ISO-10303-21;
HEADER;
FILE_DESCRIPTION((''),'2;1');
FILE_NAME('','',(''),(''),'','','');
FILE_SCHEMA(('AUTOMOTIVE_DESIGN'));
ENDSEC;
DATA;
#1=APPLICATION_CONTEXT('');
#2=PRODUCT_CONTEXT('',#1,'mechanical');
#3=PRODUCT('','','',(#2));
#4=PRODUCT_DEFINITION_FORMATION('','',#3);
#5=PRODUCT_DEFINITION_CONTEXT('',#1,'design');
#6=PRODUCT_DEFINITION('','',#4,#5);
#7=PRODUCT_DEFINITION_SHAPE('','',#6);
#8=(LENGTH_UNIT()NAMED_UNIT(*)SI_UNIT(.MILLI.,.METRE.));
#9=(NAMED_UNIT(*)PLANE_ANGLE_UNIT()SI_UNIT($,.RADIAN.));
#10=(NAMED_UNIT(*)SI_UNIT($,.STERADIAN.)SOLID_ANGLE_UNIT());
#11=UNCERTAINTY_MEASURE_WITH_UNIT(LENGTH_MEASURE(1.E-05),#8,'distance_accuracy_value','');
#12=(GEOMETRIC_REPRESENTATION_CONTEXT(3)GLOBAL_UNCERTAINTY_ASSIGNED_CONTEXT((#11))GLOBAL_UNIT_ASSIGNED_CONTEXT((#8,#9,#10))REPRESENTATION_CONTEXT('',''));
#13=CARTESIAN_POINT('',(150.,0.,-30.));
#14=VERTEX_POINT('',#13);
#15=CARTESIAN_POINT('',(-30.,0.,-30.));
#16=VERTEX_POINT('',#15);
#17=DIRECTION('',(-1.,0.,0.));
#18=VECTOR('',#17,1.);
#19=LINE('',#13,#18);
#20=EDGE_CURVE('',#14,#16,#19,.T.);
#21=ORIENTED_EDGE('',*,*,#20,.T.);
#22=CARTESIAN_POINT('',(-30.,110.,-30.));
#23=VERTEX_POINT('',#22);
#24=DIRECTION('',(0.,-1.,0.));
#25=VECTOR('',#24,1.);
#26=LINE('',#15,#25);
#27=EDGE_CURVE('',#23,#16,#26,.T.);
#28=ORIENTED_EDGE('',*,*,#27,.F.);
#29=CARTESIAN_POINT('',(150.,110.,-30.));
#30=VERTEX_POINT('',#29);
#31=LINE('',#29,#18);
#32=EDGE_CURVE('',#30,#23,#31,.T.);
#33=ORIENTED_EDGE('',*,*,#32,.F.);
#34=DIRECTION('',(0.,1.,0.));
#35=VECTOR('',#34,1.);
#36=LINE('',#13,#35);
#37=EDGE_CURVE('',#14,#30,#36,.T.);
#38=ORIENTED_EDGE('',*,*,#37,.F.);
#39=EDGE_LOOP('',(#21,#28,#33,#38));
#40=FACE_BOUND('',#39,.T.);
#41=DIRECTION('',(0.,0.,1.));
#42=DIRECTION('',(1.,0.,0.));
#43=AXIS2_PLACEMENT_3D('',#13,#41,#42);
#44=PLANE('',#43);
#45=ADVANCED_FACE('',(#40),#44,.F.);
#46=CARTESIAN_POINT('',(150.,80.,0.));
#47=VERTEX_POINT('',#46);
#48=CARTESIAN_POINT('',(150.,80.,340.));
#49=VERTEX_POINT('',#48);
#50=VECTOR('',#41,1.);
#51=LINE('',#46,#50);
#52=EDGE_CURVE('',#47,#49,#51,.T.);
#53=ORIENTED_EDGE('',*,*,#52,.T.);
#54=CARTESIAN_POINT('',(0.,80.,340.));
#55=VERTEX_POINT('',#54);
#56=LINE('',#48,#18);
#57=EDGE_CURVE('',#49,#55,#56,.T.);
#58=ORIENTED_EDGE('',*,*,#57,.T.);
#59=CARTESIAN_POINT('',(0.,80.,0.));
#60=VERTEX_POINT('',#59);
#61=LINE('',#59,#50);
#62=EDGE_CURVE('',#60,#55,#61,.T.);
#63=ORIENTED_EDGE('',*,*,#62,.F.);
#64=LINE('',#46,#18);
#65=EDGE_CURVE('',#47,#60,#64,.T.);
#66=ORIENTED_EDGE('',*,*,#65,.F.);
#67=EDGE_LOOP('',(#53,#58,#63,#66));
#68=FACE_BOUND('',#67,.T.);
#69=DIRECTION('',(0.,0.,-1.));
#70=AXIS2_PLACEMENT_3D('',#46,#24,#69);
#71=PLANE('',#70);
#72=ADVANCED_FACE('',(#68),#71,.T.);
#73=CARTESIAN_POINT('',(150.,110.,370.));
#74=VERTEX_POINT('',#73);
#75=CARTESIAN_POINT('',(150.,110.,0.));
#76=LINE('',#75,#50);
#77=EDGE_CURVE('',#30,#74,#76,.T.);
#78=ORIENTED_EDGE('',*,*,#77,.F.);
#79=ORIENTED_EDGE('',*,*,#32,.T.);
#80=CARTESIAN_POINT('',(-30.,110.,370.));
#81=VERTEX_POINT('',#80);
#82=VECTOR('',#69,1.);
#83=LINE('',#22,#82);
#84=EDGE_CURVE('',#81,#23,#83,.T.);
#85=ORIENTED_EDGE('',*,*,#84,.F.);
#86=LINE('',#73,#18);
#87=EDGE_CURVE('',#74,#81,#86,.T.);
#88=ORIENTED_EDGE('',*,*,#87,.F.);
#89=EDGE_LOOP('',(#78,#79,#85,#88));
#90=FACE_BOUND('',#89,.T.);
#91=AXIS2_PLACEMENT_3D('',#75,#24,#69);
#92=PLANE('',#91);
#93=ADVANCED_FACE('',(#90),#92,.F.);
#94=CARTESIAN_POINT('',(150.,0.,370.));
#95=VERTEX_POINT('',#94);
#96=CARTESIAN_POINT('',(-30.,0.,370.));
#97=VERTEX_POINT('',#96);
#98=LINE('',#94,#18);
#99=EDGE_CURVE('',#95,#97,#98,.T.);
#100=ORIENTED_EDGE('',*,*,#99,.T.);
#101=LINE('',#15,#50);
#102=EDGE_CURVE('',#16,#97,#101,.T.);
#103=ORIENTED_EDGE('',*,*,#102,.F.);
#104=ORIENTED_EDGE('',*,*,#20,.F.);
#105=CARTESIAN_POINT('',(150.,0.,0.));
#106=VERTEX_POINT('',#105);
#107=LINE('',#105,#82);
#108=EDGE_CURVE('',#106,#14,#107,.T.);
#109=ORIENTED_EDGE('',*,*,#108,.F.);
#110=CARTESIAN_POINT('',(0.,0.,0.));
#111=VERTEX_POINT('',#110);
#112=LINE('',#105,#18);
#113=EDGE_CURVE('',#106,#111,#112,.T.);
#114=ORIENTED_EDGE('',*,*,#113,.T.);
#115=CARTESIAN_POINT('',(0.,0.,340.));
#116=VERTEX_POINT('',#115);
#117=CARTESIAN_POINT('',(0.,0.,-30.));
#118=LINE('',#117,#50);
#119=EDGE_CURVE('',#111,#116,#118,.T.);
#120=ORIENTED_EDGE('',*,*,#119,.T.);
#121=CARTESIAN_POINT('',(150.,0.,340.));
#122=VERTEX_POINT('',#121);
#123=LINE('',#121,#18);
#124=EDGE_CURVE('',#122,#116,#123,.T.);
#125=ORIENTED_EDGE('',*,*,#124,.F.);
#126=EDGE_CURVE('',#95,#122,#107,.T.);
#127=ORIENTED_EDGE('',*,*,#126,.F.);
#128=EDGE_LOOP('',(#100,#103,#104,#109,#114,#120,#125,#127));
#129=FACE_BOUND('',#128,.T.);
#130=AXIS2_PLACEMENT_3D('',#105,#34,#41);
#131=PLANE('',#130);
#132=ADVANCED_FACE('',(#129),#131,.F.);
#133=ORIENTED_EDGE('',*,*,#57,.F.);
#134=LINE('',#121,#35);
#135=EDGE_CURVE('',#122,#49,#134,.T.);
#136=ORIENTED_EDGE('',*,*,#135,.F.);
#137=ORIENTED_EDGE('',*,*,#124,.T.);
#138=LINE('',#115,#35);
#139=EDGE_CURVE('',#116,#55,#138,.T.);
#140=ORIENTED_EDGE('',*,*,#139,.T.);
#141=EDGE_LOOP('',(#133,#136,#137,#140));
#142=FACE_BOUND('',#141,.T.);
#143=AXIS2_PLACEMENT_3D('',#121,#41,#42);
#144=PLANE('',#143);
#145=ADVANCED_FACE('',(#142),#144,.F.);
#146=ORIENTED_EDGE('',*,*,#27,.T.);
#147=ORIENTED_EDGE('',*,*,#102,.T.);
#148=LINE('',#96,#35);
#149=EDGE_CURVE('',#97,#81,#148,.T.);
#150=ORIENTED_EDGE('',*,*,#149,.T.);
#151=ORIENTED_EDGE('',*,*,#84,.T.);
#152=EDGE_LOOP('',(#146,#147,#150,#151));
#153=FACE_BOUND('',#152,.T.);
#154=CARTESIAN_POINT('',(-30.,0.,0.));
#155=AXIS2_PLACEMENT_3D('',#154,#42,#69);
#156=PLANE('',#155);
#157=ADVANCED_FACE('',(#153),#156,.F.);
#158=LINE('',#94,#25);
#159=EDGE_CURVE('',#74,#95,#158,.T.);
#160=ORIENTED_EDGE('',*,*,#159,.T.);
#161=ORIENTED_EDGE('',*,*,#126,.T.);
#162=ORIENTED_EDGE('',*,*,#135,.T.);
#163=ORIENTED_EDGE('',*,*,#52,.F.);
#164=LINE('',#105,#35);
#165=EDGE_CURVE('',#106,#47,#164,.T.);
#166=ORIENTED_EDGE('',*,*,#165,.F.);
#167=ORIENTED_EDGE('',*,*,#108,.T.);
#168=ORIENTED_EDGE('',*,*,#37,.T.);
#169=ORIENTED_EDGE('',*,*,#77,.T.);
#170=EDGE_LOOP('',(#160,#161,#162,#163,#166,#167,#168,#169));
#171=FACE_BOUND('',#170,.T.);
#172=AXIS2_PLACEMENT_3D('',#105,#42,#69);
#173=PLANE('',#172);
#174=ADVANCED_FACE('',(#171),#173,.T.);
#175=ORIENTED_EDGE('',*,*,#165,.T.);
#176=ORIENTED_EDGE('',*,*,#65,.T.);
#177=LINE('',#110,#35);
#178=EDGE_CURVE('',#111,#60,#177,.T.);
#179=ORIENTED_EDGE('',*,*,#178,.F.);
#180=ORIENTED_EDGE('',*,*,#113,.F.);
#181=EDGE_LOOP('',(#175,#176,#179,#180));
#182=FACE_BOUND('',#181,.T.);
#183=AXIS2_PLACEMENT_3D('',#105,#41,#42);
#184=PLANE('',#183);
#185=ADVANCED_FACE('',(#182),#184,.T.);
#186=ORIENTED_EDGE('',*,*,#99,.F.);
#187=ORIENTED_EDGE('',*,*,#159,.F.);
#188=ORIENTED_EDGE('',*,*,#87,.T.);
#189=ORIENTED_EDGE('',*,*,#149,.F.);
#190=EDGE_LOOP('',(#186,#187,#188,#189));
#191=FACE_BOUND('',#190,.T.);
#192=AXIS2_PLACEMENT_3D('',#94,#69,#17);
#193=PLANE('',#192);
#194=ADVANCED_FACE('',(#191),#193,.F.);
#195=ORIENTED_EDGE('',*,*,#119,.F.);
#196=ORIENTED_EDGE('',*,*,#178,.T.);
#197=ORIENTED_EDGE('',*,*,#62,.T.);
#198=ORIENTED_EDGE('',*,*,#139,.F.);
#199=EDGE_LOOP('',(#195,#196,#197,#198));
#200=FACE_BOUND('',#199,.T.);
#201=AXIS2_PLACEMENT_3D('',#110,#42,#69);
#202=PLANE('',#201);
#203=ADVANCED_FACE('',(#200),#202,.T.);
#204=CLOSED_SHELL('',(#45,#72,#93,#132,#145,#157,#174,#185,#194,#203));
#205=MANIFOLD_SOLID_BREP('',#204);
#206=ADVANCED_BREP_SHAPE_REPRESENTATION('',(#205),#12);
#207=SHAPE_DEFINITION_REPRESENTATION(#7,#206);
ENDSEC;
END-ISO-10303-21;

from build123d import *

# Parameters (mm, degrees)
BOSS_EXTRU_1_DEPTH = 150
ESQUISSE2_W        = 400
ESQUISSE2_H        = 110
BOSS_EXTRU_2_DEPTH = 30


with BuildPart() as part:
    # Esquisse1 → Boss.-Extru.1 (new body)
    with BuildSketch(Plane(origin=(0, 0, 0), x_dir=(0, 0, -1), z_dir=(1, 0, 0))):
        Polygon((0, 80), (0, 0), (30, 0), (30, 110), (-370, 110), (-370, 0), (-340, 0), (-340, 80), align=None)
    extrude(amount=BOSS_EXTRU_1_DEPTH)

    # Esquisse2 → Boss.-Extru.2 (add)
    with BuildSketch(Plane.ZY):
        with Locations((170, 55)):
            Rectangle(ESQUISSE2_W, ESQUISSE2_H)
    extrude(amount=BOSS_EXTRU_2_DEPTH)


solid = part.part
